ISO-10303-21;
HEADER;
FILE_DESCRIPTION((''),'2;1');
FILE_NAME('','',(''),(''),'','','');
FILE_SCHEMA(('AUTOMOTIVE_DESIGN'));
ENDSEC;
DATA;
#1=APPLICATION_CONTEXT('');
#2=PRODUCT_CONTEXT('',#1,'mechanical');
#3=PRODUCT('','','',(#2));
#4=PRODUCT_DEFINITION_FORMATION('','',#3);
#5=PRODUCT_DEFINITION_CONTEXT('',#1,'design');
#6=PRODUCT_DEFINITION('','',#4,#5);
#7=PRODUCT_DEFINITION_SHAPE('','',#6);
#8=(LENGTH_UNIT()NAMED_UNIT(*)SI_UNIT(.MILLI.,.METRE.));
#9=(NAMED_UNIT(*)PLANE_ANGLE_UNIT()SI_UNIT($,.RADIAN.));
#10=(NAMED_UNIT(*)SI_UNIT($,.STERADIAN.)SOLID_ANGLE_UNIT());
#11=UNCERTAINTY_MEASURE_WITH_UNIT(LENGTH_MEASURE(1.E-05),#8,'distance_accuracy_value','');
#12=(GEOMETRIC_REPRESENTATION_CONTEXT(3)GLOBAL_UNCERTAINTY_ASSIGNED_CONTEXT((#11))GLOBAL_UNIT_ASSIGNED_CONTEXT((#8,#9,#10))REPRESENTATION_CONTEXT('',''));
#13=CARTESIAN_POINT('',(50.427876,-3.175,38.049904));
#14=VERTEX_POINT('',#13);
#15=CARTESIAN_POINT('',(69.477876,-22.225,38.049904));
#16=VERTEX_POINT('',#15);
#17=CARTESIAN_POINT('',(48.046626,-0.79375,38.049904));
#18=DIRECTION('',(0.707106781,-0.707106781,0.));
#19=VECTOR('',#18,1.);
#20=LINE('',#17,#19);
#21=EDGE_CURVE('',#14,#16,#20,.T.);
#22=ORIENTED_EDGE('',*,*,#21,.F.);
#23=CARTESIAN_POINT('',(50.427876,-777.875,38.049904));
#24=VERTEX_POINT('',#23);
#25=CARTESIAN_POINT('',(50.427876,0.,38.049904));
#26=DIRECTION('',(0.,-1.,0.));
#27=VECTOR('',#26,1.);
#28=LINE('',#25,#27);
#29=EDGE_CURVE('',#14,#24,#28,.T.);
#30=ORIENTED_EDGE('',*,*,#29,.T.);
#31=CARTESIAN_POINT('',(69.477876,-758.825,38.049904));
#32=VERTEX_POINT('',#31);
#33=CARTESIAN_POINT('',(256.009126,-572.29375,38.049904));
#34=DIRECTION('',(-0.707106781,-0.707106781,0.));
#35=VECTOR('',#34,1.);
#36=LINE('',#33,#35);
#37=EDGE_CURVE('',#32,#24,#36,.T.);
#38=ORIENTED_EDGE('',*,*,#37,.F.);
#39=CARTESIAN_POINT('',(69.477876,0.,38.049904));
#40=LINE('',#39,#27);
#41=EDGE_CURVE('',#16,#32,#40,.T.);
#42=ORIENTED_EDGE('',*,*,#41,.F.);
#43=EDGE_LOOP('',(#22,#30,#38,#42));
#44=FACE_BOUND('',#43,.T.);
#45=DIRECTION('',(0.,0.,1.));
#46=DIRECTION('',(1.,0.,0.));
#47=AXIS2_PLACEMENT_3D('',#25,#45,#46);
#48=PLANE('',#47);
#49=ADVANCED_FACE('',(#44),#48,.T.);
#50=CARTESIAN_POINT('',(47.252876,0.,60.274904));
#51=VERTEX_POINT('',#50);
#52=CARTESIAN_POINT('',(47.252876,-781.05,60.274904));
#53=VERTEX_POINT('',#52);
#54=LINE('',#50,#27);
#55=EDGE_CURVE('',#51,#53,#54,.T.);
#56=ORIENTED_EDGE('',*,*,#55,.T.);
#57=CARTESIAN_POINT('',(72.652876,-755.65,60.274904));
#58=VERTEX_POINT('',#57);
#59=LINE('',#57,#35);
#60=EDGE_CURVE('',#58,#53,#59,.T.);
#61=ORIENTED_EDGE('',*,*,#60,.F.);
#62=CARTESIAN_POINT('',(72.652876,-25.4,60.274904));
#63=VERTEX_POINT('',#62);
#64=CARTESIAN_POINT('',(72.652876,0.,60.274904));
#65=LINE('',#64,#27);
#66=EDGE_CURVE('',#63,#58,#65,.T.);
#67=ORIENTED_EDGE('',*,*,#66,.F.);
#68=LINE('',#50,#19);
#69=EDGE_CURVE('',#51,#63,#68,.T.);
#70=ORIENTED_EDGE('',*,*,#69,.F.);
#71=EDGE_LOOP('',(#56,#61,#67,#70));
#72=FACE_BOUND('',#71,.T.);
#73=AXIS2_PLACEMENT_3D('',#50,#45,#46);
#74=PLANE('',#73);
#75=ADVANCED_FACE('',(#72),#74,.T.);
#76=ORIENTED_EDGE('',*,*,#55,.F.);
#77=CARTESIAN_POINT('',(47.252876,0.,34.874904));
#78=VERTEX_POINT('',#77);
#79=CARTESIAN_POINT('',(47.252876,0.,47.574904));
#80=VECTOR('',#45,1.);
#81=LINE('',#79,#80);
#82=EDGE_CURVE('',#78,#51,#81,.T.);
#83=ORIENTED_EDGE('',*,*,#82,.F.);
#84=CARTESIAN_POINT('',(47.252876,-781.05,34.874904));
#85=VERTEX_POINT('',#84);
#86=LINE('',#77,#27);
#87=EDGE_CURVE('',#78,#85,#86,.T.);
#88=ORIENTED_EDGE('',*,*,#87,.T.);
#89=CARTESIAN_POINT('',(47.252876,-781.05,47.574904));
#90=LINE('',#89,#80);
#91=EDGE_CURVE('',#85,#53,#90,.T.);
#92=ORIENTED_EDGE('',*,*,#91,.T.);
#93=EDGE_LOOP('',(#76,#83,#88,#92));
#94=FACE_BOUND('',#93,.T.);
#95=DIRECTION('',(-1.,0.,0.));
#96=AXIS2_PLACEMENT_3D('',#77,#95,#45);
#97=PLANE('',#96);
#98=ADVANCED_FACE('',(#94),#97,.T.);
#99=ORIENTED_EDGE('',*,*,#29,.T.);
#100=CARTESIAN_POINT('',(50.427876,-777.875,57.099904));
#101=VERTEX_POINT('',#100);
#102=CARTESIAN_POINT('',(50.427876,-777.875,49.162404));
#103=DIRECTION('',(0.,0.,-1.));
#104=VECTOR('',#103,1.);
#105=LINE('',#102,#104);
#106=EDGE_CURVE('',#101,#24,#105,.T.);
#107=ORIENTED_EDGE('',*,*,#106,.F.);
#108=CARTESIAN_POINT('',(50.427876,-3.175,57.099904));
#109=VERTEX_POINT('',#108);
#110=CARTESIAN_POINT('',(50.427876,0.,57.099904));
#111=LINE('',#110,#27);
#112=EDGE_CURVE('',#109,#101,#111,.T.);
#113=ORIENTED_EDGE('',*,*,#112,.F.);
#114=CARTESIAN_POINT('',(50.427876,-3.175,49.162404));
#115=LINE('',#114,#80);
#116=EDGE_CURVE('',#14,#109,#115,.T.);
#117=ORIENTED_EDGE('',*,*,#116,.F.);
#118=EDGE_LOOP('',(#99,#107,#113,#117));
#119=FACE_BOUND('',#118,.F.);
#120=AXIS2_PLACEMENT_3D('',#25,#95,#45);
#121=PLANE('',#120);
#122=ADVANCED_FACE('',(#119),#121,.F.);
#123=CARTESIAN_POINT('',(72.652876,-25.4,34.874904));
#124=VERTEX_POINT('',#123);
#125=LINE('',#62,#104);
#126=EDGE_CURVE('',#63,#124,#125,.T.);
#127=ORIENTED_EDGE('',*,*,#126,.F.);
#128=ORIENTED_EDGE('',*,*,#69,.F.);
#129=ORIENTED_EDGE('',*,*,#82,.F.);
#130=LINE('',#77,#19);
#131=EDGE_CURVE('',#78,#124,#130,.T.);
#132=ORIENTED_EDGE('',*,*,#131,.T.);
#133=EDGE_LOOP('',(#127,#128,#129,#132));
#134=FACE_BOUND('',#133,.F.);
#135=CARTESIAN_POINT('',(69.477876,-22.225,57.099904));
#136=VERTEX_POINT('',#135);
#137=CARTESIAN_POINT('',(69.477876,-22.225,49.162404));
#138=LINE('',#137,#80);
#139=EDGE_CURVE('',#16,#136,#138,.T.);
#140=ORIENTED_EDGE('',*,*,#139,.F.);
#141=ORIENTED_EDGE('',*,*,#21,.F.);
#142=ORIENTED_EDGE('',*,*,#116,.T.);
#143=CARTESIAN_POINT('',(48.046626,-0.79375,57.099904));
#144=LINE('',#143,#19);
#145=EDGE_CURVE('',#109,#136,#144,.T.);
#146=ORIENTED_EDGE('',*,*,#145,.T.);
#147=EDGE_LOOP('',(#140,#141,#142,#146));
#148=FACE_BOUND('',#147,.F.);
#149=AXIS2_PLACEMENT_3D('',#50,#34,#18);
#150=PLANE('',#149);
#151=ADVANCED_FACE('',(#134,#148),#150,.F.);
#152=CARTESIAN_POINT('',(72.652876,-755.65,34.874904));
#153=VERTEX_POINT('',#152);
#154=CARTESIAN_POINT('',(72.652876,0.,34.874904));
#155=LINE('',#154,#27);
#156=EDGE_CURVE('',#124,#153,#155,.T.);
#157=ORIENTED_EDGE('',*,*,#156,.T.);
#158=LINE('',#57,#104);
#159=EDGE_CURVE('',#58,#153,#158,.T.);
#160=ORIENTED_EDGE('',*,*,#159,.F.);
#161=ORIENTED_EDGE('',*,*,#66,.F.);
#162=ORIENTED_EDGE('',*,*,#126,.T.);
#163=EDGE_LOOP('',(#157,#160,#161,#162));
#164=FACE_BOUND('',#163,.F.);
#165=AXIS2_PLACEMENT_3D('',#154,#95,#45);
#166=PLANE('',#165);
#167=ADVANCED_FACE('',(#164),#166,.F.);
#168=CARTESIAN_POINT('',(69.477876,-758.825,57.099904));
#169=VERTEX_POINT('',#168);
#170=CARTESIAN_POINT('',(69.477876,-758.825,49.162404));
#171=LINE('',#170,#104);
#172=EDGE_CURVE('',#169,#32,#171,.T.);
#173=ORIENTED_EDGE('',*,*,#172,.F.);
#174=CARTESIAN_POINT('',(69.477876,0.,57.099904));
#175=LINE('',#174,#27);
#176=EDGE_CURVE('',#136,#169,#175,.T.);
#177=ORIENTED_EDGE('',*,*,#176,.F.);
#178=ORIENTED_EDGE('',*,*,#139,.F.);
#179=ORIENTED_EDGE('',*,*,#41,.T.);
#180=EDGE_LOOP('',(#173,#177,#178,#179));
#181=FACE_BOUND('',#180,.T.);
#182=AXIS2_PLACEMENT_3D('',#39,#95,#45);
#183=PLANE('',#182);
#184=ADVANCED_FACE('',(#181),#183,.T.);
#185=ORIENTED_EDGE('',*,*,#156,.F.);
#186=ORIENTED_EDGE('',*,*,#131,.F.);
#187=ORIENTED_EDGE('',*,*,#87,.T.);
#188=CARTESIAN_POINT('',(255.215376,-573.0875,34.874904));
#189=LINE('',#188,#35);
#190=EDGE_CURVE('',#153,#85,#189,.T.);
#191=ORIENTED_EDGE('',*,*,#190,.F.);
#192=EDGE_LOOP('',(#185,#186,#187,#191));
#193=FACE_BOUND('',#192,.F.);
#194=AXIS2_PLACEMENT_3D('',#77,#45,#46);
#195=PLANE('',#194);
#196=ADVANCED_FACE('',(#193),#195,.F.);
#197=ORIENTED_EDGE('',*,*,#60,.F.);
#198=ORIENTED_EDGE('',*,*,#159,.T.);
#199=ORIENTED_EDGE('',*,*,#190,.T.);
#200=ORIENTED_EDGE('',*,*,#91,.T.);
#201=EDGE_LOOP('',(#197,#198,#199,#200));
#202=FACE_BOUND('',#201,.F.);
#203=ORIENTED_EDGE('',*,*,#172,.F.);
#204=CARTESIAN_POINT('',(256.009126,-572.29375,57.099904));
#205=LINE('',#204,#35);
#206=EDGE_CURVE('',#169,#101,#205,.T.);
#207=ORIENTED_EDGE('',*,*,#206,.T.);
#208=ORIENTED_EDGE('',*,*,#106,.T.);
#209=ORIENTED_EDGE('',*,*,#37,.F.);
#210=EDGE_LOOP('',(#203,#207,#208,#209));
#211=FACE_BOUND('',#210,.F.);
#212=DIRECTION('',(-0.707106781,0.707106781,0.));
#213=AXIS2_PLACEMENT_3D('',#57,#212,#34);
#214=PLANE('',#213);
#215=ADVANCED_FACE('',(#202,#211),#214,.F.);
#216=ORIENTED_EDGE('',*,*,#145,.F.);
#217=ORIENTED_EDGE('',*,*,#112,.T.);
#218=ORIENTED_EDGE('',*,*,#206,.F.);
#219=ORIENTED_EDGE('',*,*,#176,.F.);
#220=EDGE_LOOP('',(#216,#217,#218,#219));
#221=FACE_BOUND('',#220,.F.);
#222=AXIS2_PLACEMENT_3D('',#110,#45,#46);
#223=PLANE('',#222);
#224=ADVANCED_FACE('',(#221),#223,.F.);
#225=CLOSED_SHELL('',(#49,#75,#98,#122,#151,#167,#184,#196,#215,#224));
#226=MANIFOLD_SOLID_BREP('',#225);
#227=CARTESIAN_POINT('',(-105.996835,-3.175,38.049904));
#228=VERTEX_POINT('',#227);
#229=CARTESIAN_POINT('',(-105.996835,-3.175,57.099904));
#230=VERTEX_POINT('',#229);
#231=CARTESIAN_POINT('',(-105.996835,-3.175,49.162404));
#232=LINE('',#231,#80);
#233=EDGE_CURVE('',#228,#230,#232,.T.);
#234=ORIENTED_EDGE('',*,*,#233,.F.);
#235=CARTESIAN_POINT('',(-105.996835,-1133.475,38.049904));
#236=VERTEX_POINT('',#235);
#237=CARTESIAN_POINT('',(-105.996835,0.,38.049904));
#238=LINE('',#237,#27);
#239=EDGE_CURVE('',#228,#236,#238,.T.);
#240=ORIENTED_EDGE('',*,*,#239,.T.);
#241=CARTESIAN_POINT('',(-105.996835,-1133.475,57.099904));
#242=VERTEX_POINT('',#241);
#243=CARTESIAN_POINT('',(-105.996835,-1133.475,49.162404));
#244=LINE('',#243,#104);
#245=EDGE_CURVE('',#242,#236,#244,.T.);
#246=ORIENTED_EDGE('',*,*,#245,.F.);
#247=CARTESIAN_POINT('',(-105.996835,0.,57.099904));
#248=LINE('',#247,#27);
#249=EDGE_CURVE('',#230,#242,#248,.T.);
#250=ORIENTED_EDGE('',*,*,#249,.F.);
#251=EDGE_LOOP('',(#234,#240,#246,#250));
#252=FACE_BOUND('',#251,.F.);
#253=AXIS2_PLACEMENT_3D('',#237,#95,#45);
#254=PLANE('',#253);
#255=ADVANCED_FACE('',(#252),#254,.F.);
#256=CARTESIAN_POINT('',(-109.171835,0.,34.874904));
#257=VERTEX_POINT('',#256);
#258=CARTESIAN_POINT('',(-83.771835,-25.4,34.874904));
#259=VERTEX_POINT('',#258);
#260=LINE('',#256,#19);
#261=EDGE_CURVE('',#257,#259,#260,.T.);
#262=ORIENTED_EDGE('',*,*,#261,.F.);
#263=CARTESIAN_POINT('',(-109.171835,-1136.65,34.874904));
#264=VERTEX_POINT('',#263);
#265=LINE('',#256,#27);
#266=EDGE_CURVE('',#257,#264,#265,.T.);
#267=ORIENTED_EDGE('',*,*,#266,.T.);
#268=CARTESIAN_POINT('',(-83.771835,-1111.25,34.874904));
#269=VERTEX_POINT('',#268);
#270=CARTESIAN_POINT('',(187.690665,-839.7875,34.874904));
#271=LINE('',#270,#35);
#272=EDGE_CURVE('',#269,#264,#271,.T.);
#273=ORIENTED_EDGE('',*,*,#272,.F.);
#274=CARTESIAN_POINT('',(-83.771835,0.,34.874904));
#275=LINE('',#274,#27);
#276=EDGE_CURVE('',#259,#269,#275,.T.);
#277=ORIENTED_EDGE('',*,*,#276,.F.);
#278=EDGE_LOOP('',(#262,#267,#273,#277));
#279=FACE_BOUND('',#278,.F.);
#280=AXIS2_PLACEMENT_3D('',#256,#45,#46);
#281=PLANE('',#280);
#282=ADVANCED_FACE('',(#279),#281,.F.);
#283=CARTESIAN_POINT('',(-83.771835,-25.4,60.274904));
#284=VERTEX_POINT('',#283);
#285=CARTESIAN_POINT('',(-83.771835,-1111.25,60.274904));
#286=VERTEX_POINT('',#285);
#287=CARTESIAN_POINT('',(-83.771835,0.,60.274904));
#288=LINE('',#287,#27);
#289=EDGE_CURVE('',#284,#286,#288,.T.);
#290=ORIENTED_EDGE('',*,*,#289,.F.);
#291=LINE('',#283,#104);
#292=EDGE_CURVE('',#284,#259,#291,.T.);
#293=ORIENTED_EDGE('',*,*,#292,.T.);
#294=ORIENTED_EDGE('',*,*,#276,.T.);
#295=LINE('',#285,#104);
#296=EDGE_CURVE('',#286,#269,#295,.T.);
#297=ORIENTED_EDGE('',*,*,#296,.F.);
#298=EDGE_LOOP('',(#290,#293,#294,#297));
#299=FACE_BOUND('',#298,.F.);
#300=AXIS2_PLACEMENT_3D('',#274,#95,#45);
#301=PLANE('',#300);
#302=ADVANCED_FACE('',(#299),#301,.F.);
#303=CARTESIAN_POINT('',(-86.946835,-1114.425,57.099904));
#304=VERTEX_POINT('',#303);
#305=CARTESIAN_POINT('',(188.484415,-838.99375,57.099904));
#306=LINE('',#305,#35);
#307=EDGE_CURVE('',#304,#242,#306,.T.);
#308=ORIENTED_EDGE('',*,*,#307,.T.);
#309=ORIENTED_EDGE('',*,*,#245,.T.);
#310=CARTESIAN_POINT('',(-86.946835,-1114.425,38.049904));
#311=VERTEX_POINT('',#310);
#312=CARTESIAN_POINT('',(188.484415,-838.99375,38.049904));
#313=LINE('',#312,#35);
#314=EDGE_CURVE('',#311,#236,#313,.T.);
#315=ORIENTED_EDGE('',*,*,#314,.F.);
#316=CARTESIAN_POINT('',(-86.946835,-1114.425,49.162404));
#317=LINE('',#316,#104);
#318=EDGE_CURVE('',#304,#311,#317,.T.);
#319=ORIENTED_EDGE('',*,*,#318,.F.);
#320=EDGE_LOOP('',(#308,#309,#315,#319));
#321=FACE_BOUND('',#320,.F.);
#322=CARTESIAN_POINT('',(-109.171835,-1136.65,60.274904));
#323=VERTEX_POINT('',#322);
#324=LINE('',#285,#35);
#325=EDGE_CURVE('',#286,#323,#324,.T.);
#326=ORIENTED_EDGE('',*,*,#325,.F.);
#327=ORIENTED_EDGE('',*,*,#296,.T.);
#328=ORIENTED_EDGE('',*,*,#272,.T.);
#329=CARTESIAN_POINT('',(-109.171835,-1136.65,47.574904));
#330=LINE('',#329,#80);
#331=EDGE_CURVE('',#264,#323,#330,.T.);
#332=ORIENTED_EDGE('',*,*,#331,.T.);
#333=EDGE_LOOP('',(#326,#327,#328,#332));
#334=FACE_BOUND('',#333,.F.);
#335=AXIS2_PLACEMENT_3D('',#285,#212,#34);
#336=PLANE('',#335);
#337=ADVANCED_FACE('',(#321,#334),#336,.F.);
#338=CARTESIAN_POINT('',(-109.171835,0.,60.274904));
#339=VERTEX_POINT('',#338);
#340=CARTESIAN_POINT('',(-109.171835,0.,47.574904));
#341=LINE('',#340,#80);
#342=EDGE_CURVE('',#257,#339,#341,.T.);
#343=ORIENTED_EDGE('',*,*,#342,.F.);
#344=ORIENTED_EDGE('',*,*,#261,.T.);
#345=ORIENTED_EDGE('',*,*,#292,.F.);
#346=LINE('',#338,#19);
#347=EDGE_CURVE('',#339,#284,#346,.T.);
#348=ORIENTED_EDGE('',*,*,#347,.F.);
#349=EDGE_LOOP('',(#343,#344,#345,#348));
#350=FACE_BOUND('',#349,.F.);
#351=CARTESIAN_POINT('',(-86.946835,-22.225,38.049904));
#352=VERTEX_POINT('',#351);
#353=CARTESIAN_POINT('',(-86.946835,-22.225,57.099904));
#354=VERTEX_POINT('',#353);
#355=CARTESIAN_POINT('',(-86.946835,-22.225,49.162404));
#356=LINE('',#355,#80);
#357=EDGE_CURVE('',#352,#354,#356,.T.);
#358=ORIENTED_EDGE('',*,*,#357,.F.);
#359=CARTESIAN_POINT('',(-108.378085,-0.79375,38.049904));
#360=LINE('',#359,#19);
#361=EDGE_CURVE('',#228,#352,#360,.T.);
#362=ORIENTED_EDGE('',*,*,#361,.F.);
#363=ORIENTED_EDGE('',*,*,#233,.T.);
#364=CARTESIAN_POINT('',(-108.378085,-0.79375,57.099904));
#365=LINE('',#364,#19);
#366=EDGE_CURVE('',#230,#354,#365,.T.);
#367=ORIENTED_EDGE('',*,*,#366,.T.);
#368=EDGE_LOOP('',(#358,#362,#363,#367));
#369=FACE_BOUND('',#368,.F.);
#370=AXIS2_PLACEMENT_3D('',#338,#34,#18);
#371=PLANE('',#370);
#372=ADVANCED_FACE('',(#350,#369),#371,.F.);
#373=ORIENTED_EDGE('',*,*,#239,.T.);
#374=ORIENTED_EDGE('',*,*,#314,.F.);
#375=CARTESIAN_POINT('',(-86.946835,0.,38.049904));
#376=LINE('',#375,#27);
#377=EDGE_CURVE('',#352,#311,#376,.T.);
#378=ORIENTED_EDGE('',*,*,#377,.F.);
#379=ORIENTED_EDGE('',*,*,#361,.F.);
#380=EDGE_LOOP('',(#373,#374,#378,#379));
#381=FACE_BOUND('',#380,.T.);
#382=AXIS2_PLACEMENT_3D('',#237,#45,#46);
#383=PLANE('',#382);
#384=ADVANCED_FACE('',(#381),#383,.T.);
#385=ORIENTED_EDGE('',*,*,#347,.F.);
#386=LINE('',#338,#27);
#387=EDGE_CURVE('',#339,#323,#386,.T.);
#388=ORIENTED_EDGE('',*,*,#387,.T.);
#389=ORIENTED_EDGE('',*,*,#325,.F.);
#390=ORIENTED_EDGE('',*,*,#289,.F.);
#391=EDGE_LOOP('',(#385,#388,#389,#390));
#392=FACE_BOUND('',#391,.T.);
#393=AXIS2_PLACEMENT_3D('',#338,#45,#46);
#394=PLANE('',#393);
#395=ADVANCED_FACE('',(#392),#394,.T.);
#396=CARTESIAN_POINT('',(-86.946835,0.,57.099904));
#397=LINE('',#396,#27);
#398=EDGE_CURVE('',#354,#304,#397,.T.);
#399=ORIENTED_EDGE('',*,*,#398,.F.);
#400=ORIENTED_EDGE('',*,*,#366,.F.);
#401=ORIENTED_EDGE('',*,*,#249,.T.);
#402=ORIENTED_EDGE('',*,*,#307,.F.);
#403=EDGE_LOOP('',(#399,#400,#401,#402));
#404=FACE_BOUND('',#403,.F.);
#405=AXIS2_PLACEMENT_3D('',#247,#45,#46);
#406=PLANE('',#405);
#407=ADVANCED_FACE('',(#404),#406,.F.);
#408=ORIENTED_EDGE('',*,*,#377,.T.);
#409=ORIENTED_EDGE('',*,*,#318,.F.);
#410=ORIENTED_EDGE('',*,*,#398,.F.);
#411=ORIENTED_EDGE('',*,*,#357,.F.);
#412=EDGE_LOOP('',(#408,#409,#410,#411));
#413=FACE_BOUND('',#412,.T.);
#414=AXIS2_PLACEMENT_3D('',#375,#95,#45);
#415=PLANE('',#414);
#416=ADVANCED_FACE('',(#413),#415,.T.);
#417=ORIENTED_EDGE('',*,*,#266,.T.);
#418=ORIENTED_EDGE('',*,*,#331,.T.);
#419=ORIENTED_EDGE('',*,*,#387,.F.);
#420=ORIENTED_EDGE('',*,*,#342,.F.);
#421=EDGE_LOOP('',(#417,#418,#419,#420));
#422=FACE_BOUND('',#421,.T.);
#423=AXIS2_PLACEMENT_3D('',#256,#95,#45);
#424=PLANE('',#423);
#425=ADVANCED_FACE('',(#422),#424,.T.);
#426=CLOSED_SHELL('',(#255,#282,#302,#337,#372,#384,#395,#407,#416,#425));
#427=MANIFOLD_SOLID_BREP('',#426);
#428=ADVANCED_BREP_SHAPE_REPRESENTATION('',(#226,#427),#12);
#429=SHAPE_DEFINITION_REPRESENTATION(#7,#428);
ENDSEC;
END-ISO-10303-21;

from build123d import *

# Parameters (mm, degrees)
F0_W     = 25.4
F0_H     = 25.4
F0_W_2   = 19.05
F0_H_2   = 19.05
F1_DEPTH = 1136.65
F2_DEPTH = 781.05
F4_DEPTH = 25.401


with BuildPart() as f1:
    # F0 (on Front) → F1 (new body)
    with BuildSketch(Plane.XZ):
        with Locations((-96.471835, 47.574904)):
            Rectangle(F0_W, F0_H)
        with Locations((-96.471835, 47.574904)):
            Rectangle(F0_W_2, F0_H_2, mode=Mode.SUBTRACT)
    extrude(amount=F1_DEPTH)


with BuildPart() as f2:
    # F0 (on Front) → F2 (new body)
    with BuildSketch(Plane.XZ):
        with Locations((59.952876, 47.574904)):
            Rectangle(F0_W, F0_H)
        with Locations((59.952876, 47.574904)):
            Rectangle(F0_W_2, F0_H_2, mode=Mode.SUBTRACT)
    extrude(amount=F2_DEPTH)


with BuildPart() as f4_tool:
    # F3 (on face) → F4 (new body, through all)
    with BuildSketch(Plane.XY.offset(60.274904)):
        Polygon((-83.771835, -1111.25), (-109.171835, -1136.65), (-83.771835, -1136.65), align=None)
        Polygon((72.652876, -755.65), (47.252876, -781.05), (72.652876, -781.05), align=None)
        Polygon((-83.771835, 0), (-109.171835, 0), (-83.771835, -25.4), align=None)
        Polygon((72.652876, 0), (47.252876, 0), (72.652876, -25.4), align=None)
    extrude(amount=-F4_DEPTH)


with BuildPart() as f1_1:
    add(f1.part)

    # F4: cut by f4_tool
    add(f4_tool.part, mode=Mode.SUBTRACT)


with BuildPart() as f2_1:
    add(f2.part)

    # F4: cut by f4_tool
    add(f4_tool.part, mode=Mode.SUBTRACT)


solid = Compound([f1_1.part, f2_1.part])
